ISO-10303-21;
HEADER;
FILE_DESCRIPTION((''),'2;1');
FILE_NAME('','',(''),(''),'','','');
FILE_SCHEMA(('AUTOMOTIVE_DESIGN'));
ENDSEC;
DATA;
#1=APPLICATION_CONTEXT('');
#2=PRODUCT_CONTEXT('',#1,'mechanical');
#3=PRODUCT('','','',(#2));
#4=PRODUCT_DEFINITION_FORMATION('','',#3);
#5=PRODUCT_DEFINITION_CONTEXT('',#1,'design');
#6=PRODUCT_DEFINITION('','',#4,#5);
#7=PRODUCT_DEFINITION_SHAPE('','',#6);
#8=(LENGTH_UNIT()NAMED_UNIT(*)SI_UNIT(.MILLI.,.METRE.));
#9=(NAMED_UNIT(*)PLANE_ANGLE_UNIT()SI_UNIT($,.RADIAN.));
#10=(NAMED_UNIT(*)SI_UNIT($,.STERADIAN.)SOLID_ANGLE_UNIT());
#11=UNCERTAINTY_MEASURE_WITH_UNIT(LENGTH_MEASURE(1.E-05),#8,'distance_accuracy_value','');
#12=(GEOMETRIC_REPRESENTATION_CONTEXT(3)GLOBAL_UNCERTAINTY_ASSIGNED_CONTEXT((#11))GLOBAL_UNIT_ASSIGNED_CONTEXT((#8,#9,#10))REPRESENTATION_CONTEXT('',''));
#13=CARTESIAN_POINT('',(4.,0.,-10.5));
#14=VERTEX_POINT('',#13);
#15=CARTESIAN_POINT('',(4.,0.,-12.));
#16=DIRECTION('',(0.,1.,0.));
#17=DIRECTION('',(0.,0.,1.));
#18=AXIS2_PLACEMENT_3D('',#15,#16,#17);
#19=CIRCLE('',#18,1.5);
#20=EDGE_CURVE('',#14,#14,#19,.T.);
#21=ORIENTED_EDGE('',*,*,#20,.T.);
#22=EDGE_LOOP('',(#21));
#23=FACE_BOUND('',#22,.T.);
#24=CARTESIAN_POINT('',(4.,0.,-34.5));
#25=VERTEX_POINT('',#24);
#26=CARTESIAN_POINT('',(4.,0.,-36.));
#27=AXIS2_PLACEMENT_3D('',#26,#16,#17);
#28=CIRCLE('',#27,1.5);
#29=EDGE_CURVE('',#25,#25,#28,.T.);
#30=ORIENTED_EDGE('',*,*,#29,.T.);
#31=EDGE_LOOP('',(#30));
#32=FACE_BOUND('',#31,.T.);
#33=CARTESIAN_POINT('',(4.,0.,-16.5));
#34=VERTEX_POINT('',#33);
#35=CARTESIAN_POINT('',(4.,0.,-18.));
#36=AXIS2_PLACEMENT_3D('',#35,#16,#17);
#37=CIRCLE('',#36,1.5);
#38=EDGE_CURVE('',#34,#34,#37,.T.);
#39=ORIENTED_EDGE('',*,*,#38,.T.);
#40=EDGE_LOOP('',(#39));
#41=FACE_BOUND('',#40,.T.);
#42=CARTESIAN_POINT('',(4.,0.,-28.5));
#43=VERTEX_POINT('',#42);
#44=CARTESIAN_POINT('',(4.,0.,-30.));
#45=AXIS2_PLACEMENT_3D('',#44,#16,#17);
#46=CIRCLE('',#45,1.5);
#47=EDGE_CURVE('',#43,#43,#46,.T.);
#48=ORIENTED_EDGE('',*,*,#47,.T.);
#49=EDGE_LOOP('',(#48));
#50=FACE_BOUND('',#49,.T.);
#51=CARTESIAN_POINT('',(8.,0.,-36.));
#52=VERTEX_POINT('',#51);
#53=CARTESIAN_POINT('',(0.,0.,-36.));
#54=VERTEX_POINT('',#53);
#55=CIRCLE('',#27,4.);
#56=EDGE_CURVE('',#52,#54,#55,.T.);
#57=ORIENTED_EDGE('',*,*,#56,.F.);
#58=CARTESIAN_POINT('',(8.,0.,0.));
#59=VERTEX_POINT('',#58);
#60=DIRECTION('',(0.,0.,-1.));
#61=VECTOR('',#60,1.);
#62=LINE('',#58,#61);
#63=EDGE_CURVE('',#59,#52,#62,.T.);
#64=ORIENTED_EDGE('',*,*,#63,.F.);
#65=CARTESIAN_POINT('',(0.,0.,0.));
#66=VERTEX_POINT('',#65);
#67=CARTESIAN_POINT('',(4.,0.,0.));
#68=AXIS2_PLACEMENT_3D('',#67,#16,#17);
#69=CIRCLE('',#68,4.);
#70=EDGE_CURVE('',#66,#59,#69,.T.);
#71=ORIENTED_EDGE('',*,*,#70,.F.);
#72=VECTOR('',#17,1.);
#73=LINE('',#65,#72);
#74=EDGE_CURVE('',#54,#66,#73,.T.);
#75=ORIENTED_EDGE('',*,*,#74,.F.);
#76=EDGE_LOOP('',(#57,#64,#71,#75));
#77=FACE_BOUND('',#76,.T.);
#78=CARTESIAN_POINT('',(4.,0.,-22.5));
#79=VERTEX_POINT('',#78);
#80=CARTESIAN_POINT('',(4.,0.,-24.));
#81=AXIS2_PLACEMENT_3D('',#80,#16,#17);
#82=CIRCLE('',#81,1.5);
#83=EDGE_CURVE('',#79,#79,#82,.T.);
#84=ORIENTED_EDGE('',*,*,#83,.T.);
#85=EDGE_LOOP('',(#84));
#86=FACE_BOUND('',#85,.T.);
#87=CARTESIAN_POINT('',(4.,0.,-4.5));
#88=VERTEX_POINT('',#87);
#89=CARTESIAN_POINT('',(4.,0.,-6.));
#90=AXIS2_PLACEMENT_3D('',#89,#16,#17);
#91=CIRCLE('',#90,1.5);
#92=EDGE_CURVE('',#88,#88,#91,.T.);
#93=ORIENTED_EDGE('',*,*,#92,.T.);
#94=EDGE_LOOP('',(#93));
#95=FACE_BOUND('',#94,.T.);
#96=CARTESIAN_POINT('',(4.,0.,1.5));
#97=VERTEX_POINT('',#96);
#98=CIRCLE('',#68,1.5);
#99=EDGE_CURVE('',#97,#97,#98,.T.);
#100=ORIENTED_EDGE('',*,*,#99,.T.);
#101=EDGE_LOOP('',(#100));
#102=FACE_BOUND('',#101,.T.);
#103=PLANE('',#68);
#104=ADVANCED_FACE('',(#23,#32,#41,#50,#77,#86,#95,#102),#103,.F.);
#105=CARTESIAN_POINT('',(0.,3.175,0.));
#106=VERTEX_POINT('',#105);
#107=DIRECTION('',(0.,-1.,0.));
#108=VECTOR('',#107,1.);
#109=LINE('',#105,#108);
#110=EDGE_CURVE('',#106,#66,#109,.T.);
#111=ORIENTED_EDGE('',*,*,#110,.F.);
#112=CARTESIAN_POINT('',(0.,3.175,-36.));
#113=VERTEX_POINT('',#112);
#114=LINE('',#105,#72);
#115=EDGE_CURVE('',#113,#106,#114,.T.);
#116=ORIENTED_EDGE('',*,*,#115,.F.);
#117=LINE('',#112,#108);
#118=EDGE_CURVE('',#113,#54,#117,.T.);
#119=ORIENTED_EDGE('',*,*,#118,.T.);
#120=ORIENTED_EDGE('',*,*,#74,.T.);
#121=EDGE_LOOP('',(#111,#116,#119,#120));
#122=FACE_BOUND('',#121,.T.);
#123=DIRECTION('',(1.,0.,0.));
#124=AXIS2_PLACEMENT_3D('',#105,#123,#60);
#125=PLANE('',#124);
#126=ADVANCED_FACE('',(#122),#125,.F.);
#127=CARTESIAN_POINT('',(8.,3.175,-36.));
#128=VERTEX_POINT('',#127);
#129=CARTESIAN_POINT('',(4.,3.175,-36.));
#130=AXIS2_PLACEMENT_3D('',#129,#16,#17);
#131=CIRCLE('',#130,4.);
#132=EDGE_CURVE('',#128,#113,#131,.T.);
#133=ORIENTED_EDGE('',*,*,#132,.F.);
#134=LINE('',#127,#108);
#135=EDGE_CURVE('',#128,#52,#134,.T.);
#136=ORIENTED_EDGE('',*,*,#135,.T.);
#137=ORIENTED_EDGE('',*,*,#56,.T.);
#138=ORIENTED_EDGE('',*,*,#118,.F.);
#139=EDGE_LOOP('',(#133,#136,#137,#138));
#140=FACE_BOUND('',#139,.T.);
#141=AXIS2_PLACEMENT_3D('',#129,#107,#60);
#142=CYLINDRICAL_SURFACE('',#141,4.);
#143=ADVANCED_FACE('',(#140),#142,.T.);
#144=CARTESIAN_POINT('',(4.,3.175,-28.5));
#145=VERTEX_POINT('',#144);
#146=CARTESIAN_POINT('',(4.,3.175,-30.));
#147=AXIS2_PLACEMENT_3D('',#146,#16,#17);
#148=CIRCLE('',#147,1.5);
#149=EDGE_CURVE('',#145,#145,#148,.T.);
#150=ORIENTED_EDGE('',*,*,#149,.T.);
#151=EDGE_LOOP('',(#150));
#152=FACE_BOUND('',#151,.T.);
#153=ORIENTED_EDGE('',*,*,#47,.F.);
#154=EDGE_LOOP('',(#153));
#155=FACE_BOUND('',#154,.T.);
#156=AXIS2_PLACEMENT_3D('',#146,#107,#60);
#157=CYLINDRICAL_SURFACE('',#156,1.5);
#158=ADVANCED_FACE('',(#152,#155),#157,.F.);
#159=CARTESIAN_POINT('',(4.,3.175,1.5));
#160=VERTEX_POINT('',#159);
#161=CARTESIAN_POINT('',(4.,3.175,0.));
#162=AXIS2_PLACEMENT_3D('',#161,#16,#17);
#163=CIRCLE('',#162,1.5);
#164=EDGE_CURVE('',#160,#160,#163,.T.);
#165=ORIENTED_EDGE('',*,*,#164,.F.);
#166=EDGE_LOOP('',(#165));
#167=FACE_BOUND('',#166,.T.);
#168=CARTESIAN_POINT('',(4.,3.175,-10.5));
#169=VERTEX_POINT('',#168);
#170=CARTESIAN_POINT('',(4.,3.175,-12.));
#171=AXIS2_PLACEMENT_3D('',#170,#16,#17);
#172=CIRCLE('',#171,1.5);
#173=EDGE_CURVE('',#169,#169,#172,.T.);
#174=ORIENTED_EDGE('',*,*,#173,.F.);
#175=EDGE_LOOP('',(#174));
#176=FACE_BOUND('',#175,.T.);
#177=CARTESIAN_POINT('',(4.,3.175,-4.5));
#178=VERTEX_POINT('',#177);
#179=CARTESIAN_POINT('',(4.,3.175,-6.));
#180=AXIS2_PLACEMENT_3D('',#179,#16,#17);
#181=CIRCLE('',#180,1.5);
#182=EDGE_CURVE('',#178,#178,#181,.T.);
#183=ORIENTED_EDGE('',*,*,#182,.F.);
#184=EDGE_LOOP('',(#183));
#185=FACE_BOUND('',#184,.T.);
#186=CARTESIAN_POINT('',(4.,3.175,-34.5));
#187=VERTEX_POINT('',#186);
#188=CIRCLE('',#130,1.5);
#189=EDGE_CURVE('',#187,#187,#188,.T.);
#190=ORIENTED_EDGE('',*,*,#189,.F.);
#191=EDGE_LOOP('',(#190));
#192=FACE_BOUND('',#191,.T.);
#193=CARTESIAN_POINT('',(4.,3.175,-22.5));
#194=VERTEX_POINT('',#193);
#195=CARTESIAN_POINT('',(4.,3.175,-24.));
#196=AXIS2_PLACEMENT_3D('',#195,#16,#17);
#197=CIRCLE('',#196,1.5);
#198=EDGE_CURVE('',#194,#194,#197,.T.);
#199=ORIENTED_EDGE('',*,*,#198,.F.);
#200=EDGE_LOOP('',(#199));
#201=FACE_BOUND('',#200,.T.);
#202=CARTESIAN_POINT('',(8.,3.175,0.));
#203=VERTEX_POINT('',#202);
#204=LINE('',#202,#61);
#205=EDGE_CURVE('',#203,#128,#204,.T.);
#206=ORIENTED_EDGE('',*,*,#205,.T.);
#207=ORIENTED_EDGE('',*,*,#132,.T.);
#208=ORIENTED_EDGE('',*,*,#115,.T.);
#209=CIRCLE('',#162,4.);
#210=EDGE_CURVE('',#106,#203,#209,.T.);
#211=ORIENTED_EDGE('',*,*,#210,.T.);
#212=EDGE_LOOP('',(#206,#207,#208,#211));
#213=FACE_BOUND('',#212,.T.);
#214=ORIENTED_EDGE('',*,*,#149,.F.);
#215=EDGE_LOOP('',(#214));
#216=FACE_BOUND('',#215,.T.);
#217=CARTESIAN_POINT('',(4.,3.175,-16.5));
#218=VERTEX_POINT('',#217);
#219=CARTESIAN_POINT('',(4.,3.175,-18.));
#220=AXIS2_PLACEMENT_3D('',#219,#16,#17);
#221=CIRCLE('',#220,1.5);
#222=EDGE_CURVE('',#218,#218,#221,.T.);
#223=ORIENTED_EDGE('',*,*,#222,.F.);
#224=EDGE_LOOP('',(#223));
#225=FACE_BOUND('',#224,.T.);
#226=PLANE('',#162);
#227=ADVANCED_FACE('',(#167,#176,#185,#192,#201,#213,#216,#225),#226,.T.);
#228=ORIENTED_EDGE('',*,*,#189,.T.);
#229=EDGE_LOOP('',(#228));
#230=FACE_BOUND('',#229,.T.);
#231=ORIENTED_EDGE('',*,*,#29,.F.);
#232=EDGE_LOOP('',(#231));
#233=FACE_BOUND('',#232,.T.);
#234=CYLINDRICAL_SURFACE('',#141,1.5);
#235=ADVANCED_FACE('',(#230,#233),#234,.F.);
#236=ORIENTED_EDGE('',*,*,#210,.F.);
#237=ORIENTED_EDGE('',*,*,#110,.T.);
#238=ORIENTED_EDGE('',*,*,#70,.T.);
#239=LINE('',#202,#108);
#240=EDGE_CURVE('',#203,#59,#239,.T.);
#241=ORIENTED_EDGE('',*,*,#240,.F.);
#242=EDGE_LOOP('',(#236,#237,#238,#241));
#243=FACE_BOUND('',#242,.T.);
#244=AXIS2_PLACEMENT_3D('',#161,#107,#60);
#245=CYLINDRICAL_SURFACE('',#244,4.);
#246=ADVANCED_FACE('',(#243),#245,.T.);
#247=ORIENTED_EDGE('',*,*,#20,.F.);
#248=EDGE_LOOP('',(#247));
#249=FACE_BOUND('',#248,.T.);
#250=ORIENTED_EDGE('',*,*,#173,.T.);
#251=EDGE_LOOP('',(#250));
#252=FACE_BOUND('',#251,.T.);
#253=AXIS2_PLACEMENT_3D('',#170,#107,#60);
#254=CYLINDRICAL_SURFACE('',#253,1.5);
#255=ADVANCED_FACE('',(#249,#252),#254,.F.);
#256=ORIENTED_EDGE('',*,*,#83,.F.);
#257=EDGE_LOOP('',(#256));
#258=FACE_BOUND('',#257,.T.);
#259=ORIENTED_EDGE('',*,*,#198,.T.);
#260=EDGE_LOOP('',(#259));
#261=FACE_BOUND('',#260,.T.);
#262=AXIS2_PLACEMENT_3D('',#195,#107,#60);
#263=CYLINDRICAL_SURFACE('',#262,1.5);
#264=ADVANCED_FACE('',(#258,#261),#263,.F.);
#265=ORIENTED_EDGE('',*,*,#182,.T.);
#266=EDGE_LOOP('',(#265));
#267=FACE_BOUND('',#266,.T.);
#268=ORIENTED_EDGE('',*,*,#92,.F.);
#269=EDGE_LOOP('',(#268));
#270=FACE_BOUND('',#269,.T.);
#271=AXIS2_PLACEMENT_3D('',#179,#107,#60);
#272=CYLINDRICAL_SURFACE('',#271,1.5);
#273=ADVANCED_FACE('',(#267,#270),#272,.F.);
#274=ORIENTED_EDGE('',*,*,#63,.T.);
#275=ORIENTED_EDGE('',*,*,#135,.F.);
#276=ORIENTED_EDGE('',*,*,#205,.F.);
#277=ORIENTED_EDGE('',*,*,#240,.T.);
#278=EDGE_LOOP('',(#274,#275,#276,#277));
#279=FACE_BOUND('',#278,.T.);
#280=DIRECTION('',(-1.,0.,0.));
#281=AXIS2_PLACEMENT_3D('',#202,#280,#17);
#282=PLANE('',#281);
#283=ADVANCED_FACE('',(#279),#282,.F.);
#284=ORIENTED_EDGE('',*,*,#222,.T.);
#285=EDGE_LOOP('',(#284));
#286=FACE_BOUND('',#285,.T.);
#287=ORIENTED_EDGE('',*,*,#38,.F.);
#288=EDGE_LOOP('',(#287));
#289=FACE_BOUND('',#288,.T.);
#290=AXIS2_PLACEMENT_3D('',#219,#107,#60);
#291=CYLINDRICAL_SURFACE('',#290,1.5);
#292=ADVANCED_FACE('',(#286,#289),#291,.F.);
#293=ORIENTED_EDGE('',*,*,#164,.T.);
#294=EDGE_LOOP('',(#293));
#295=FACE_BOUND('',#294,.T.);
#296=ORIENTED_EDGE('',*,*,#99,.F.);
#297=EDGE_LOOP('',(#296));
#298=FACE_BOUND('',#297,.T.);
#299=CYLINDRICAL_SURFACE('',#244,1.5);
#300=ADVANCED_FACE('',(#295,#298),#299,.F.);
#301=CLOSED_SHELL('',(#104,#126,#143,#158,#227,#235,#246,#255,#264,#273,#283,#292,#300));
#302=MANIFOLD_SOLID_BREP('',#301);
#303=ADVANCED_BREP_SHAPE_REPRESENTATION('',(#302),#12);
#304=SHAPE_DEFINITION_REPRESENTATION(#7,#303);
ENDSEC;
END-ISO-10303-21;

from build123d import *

# Parameters (mm, degrees)
SKETCH1_R           = 1.5
BOSS_EXTRUDE1_DEPTH = 3.175


with BuildPart() as part:
    # Sketch1 → Boss-Extrude1 (new body)
    with BuildSketch(Plane(origin=(0, 0, 0), x_dir=(1, 0, 0), z_dir=(0, 1, 0))):
        with BuildLine():
            Line((0, 0), (0, 36))
            ThreePointArc((0, 36), (4, 40), (8, 36))
            Line((8, 36), (8, 0))
            ThreePointArc((8, 0), (4, -4), (0, 0))
        make_face()
        with Locations(Location((4, 6, 0), (0, 0, 270))):
            Circle(SKETCH1_R, mode=Mode.SUBTRACT)
        with Locations(Location((4, 0, 0), (0, 0, 270))):
            Circle(SKETCH1_R, mode=Mode.SUBTRACT)
        with Locations(Location((4, 12, 0), (0, 0, 270))):
            Circle(SKETCH1_R, mode=Mode.SUBTRACT)
        with Locations(Location((4, 18, 0), (0, 0, 270))):
            Circle(SKETCH1_R, mode=Mode.SUBTRACT)
        with Locations(Location((4, 24, 0), (0, 0, 270))):
            Circle(SKETCH1_R, mode=Mode.SUBTRACT)
        with Locations(Location((4, 30, 0), (0, 0, 270))):
            Circle(SKETCH1_R, mode=Mode.SUBTRACT)
        with Locations(Location((4, 36, 0), (0, 0, 270))):
            Circle(SKETCH1_R, mode=Mode.SUBTRACT)
    extrude(amount=BOSS_EXTRUDE1_DEPTH)


solid = part.part
